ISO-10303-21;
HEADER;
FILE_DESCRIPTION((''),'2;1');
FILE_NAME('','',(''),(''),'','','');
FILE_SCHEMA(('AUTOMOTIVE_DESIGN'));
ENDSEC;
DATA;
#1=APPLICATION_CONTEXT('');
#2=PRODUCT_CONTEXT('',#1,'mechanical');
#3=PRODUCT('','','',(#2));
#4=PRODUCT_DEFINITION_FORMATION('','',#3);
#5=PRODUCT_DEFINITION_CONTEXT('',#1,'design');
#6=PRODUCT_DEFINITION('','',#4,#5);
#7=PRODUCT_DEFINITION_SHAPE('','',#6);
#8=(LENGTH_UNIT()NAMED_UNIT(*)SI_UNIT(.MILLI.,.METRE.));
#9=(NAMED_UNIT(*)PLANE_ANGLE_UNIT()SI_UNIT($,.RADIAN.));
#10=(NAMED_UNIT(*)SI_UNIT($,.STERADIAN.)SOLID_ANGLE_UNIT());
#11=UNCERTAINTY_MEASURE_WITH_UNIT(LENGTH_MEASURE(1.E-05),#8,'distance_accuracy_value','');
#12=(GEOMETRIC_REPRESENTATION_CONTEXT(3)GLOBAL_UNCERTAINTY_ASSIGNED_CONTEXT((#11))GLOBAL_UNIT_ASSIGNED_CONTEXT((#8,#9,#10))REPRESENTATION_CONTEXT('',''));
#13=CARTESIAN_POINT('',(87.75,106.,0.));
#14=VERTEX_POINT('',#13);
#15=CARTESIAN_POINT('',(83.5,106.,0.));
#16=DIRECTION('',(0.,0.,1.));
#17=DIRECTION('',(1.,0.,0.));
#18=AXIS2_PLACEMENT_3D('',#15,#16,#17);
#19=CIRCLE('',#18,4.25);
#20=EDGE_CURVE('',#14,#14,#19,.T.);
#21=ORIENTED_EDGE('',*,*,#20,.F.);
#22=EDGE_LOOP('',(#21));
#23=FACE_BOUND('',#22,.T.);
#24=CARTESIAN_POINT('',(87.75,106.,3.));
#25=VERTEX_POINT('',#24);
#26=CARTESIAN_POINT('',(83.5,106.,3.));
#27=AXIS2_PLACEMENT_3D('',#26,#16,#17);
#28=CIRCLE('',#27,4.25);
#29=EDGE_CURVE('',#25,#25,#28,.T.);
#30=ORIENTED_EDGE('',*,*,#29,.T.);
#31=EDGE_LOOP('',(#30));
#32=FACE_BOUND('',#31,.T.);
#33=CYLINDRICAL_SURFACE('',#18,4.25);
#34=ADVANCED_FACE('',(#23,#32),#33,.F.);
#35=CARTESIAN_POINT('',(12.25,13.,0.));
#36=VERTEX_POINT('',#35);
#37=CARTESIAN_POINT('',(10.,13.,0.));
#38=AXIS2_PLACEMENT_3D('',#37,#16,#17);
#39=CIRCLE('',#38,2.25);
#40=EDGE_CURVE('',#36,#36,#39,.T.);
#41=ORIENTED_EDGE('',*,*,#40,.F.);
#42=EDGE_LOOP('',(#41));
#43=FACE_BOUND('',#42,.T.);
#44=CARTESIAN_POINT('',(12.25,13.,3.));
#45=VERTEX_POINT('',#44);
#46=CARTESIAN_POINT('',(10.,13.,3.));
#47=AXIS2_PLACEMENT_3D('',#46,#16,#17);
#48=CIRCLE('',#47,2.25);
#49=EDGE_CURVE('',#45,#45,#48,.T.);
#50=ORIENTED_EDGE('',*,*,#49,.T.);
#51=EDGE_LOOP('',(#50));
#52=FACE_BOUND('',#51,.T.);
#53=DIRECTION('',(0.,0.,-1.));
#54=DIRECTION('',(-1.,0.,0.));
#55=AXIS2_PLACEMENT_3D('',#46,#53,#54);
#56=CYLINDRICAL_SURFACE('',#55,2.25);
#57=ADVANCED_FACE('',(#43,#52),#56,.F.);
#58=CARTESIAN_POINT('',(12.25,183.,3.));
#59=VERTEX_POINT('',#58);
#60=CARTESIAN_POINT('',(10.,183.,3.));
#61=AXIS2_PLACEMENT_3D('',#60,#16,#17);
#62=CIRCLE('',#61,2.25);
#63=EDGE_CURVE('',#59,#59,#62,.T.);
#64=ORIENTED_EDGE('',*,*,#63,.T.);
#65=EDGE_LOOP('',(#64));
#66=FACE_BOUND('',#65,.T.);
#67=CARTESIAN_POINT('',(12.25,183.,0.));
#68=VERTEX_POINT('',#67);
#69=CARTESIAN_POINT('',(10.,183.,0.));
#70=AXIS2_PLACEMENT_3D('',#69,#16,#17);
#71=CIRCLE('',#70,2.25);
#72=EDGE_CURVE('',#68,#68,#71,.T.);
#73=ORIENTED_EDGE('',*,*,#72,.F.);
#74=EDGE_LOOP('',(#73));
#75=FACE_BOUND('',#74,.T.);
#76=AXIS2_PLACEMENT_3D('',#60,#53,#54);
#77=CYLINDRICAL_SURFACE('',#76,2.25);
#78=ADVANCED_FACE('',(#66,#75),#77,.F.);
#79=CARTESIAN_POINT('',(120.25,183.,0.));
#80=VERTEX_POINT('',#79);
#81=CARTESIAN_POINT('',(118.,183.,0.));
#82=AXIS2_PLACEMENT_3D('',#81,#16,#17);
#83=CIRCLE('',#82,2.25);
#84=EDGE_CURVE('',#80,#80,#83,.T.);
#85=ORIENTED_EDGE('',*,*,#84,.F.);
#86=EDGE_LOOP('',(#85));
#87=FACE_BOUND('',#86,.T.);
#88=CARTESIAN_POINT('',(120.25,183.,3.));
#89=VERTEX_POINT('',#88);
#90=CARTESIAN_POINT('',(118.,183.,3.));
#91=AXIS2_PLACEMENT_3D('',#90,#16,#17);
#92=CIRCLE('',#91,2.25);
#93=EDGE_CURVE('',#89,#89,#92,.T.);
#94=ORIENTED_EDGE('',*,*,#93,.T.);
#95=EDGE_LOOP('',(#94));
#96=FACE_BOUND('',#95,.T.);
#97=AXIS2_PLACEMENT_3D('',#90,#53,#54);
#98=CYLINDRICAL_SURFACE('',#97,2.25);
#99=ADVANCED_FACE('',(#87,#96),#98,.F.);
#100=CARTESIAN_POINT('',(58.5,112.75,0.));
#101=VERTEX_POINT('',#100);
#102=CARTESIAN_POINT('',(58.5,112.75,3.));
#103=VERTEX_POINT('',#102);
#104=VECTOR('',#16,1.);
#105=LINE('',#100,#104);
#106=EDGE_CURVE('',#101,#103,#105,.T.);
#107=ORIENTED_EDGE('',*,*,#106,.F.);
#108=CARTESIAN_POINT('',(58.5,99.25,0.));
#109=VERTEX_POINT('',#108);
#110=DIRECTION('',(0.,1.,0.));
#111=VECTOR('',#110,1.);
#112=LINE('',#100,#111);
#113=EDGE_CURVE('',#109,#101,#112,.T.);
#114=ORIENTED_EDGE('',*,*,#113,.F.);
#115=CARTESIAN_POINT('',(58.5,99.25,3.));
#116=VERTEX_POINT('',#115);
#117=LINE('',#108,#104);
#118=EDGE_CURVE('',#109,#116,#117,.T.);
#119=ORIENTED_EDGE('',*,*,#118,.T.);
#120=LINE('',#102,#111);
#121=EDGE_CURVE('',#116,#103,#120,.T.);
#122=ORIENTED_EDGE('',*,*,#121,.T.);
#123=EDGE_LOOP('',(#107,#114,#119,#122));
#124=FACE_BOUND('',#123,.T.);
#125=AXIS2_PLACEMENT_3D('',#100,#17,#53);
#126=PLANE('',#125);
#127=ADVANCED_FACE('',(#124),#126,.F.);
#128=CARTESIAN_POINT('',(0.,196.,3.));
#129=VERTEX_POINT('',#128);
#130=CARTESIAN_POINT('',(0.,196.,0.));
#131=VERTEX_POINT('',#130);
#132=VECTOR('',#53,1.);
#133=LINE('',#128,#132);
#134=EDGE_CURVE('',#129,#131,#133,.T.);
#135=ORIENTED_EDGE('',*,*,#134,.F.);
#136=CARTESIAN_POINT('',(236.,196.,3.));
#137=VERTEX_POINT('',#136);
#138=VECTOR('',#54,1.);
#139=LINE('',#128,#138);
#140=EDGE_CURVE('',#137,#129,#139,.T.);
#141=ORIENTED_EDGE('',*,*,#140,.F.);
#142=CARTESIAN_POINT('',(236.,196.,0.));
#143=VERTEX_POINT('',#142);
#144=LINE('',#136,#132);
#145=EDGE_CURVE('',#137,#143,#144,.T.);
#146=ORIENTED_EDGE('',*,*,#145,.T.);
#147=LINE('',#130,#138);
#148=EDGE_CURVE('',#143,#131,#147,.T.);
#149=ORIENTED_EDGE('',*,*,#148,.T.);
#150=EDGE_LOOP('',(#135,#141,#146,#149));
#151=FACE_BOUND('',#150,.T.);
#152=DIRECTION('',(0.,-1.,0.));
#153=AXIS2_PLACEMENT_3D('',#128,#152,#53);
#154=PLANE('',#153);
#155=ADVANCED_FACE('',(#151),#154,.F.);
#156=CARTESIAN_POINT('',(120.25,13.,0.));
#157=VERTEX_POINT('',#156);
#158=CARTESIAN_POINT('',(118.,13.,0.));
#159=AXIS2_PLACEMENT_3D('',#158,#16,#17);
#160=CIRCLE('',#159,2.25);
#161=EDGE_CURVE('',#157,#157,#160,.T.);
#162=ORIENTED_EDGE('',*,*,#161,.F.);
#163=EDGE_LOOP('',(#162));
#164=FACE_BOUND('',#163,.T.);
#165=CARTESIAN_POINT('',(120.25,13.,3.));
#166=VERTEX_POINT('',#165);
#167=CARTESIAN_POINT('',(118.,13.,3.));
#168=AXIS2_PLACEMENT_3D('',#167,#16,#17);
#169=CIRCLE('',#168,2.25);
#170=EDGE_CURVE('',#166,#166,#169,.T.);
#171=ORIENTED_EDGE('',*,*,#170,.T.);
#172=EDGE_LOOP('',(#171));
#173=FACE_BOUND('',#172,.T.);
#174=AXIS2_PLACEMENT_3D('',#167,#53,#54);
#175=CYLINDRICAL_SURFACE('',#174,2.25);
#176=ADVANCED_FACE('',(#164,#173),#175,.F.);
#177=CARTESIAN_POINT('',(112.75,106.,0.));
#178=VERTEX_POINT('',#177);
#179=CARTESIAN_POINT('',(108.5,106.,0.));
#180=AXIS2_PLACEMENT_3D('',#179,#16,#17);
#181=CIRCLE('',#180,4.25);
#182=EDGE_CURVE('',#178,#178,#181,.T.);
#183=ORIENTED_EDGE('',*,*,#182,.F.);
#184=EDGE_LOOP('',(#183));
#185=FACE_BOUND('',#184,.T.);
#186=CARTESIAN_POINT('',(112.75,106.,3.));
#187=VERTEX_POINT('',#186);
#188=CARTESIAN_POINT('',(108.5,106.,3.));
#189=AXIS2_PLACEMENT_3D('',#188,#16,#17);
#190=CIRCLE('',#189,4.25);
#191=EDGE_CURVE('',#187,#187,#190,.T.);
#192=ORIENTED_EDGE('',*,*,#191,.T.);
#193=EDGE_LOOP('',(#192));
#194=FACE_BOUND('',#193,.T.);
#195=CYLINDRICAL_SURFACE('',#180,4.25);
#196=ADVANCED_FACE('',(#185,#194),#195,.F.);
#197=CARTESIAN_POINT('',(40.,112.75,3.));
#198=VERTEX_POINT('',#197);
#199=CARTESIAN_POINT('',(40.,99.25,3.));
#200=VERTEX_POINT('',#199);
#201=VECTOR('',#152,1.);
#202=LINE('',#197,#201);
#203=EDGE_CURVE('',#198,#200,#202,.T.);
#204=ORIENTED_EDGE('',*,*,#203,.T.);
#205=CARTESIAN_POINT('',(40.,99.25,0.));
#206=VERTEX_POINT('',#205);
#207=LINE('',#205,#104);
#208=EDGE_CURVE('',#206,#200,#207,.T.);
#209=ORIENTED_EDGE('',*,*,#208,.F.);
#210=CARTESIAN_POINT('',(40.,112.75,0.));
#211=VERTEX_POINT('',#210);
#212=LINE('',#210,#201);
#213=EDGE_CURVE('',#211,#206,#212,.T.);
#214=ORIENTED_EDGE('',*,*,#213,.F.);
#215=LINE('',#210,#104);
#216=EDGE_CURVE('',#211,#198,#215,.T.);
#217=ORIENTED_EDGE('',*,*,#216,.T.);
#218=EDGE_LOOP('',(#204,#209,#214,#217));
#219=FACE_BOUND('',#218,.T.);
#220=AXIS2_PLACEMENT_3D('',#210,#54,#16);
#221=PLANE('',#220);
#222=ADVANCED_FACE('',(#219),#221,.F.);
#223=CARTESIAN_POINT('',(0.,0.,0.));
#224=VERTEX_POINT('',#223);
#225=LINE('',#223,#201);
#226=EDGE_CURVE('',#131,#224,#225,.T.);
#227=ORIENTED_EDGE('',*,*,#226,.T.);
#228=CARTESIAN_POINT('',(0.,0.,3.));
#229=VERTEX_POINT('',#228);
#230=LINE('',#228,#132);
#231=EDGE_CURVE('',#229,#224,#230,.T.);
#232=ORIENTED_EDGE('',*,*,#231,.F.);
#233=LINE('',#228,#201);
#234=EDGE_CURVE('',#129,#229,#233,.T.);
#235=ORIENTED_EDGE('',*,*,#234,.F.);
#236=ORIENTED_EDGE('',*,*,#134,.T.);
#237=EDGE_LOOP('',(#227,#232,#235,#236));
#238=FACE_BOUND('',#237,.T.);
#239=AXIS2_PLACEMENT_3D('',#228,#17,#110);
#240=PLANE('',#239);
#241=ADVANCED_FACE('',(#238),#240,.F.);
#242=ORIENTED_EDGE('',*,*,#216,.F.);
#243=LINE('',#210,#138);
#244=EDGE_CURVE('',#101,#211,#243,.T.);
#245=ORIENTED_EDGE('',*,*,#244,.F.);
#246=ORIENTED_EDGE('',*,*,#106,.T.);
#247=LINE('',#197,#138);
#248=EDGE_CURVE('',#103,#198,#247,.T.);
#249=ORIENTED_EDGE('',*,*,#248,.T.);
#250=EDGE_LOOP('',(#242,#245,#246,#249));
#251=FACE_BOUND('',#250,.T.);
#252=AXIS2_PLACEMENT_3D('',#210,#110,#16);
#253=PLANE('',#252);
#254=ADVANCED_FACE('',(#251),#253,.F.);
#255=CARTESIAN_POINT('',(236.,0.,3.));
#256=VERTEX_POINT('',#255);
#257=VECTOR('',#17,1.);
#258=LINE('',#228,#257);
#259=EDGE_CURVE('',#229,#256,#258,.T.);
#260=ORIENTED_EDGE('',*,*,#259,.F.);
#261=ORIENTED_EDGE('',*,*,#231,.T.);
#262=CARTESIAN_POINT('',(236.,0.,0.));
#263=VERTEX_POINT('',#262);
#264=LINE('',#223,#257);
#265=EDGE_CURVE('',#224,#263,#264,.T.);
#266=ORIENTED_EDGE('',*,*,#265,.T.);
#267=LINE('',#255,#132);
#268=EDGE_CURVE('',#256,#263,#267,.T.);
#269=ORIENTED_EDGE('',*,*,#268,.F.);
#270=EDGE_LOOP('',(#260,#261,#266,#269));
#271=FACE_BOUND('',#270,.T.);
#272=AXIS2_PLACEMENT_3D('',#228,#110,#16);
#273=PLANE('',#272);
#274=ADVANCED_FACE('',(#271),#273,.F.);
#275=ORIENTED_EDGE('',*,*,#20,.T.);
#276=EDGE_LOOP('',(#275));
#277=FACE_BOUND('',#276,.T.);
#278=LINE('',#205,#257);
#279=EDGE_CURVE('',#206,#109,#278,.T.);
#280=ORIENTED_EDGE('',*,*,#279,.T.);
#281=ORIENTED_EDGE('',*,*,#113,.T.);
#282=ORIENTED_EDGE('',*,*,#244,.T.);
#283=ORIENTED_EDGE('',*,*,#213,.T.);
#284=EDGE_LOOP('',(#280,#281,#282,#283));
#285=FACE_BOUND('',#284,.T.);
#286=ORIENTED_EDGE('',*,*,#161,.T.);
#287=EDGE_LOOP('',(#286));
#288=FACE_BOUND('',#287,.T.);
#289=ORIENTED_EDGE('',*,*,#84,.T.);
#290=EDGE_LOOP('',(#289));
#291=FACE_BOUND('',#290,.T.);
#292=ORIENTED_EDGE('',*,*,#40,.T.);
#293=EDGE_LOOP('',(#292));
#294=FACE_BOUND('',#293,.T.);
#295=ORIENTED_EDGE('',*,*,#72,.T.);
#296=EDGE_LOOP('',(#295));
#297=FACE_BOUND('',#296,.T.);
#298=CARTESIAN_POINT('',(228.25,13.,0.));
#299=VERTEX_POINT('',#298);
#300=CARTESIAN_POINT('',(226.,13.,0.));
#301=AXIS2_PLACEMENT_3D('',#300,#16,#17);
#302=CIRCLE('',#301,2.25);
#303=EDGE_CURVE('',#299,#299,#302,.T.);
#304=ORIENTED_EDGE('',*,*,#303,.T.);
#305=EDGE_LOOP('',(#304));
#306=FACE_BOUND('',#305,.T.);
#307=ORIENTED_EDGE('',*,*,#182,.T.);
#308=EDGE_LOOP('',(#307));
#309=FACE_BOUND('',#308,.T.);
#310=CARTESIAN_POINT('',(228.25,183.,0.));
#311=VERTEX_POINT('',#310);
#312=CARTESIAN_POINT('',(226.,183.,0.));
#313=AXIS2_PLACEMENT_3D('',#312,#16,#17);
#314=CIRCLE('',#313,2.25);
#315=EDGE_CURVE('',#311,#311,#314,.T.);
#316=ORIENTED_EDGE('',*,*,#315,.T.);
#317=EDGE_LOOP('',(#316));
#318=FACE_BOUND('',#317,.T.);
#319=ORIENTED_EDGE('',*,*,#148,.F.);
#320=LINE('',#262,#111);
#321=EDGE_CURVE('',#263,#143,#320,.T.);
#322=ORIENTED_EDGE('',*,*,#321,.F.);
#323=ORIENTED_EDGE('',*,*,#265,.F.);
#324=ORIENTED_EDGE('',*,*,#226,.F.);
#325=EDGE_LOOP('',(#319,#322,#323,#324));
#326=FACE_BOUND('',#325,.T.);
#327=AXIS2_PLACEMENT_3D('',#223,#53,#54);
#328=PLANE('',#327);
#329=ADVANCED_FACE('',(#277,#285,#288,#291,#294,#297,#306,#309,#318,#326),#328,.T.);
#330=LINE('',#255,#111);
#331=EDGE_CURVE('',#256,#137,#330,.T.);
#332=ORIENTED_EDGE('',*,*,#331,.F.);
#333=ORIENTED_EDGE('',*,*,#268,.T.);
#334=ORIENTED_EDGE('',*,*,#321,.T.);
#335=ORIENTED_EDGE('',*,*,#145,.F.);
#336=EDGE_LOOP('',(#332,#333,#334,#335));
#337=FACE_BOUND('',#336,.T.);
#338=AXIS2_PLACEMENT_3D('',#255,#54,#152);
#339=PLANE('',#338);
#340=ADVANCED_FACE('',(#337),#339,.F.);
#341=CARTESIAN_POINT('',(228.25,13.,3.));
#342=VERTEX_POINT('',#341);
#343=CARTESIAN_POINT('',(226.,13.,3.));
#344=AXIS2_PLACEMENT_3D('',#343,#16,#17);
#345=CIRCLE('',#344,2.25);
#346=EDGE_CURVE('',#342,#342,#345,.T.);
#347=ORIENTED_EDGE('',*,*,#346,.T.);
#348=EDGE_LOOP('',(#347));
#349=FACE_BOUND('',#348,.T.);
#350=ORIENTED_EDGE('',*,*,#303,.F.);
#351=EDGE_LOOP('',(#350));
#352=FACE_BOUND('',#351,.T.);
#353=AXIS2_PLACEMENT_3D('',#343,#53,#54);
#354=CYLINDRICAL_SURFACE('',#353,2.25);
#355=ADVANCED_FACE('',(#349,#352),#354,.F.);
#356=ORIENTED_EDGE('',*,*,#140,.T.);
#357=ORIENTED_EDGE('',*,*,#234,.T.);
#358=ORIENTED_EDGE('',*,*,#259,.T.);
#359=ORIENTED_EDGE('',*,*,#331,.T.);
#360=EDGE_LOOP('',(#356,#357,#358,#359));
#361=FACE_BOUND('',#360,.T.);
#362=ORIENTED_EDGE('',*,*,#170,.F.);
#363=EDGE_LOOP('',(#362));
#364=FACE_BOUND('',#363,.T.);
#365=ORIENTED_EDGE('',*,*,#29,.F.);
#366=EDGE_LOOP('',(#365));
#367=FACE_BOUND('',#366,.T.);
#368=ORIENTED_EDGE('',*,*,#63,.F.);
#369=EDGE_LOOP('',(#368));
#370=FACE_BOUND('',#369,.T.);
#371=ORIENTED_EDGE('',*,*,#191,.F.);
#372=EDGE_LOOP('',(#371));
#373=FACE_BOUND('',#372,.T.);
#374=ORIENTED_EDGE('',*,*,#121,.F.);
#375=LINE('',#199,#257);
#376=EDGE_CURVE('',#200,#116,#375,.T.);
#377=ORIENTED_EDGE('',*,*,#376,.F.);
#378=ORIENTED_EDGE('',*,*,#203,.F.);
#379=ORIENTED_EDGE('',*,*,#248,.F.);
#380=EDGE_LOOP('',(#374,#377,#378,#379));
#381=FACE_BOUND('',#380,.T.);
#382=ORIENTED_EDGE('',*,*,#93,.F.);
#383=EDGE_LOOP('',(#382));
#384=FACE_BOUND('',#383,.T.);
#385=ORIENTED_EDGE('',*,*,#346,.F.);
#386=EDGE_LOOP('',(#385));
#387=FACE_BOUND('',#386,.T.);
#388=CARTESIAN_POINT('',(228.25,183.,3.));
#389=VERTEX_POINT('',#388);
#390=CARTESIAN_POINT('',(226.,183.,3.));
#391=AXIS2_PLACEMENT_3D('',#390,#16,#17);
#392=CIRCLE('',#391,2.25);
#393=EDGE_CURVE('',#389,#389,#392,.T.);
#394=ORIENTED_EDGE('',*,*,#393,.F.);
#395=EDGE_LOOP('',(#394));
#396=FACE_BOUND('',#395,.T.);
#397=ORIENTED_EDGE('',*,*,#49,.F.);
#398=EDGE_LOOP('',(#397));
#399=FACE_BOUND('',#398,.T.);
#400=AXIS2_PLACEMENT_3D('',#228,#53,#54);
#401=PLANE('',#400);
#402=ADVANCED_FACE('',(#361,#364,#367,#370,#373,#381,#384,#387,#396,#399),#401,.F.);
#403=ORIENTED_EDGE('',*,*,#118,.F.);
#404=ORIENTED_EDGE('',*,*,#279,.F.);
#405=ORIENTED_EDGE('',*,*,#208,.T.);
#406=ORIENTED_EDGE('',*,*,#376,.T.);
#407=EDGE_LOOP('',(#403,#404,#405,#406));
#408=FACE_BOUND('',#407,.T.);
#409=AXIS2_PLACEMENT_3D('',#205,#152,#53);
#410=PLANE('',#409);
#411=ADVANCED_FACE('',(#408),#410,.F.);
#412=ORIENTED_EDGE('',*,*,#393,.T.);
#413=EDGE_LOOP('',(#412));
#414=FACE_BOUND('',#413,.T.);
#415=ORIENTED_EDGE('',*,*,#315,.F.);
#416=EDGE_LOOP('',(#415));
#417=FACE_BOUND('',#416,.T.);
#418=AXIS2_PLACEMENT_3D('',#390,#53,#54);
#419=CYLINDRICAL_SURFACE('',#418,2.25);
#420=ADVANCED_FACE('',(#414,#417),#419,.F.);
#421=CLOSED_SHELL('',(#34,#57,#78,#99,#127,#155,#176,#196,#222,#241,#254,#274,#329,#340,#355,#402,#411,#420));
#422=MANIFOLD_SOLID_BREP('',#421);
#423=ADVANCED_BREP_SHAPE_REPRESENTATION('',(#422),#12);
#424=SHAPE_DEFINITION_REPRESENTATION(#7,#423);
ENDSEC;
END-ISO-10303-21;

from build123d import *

# Parameters (mm, degrees)
SKETCH_1_W          = 236
SKETCH_1_H          = 196
SKETCH_1_R          = 2.25
EXTRUDE_1_DEPTH     = 3
SKETCH_2_R          = 4.25
SKETCH_2_W          = 18.5
SKETCH_2_H          = 13.5
CUT_EXTRUDE_1_DEPTH = 4


with BuildPart() as part:
    # Эскиз1 → Бобышка-Вытянуть1 (new body)
    with BuildSketch(Plane.XY):
        with Locations((118, 98)):
            Rectangle(SKETCH_1_W, SKETCH_1_H)
        with Locations((10, 183)):
            Circle(SKETCH_1_R, mode=Mode.SUBTRACT)
        with Locations((10, 13)):
            Circle(SKETCH_1_R, mode=Mode.SUBTRACT)
        with Locations((226, 183)):
            Circle(SKETCH_1_R, mode=Mode.SUBTRACT)
        with Locations((226, 13)):
            Circle(SKETCH_1_R, mode=Mode.SUBTRACT)
        with Locations((118, 183)):
            Circle(SKETCH_1_R, mode=Mode.SUBTRACT)
        with Locations((118, 13)):
            Circle(SKETCH_1_R, mode=Mode.SUBTRACT)
    extrude(amount=EXTRUDE_1_DEPTH)

    # Эскиз2 → Вырез-Вытянуть1 (cut, through all)
    with BuildSketch(Plane.XY.offset(3)):
        with Locations((108.5, 106)):
            Circle(SKETCH_2_R)
        with Locations((83.5, 106)):
            Circle(SKETCH_2_R)
        with Locations((49.25, 106)):
            Rectangle(SKETCH_2_W, SKETCH_2_H)
    extrude(amount=-CUT_EXTRUDE_1_DEPTH, mode=Mode.SUBTRACT)


solid = part.part
